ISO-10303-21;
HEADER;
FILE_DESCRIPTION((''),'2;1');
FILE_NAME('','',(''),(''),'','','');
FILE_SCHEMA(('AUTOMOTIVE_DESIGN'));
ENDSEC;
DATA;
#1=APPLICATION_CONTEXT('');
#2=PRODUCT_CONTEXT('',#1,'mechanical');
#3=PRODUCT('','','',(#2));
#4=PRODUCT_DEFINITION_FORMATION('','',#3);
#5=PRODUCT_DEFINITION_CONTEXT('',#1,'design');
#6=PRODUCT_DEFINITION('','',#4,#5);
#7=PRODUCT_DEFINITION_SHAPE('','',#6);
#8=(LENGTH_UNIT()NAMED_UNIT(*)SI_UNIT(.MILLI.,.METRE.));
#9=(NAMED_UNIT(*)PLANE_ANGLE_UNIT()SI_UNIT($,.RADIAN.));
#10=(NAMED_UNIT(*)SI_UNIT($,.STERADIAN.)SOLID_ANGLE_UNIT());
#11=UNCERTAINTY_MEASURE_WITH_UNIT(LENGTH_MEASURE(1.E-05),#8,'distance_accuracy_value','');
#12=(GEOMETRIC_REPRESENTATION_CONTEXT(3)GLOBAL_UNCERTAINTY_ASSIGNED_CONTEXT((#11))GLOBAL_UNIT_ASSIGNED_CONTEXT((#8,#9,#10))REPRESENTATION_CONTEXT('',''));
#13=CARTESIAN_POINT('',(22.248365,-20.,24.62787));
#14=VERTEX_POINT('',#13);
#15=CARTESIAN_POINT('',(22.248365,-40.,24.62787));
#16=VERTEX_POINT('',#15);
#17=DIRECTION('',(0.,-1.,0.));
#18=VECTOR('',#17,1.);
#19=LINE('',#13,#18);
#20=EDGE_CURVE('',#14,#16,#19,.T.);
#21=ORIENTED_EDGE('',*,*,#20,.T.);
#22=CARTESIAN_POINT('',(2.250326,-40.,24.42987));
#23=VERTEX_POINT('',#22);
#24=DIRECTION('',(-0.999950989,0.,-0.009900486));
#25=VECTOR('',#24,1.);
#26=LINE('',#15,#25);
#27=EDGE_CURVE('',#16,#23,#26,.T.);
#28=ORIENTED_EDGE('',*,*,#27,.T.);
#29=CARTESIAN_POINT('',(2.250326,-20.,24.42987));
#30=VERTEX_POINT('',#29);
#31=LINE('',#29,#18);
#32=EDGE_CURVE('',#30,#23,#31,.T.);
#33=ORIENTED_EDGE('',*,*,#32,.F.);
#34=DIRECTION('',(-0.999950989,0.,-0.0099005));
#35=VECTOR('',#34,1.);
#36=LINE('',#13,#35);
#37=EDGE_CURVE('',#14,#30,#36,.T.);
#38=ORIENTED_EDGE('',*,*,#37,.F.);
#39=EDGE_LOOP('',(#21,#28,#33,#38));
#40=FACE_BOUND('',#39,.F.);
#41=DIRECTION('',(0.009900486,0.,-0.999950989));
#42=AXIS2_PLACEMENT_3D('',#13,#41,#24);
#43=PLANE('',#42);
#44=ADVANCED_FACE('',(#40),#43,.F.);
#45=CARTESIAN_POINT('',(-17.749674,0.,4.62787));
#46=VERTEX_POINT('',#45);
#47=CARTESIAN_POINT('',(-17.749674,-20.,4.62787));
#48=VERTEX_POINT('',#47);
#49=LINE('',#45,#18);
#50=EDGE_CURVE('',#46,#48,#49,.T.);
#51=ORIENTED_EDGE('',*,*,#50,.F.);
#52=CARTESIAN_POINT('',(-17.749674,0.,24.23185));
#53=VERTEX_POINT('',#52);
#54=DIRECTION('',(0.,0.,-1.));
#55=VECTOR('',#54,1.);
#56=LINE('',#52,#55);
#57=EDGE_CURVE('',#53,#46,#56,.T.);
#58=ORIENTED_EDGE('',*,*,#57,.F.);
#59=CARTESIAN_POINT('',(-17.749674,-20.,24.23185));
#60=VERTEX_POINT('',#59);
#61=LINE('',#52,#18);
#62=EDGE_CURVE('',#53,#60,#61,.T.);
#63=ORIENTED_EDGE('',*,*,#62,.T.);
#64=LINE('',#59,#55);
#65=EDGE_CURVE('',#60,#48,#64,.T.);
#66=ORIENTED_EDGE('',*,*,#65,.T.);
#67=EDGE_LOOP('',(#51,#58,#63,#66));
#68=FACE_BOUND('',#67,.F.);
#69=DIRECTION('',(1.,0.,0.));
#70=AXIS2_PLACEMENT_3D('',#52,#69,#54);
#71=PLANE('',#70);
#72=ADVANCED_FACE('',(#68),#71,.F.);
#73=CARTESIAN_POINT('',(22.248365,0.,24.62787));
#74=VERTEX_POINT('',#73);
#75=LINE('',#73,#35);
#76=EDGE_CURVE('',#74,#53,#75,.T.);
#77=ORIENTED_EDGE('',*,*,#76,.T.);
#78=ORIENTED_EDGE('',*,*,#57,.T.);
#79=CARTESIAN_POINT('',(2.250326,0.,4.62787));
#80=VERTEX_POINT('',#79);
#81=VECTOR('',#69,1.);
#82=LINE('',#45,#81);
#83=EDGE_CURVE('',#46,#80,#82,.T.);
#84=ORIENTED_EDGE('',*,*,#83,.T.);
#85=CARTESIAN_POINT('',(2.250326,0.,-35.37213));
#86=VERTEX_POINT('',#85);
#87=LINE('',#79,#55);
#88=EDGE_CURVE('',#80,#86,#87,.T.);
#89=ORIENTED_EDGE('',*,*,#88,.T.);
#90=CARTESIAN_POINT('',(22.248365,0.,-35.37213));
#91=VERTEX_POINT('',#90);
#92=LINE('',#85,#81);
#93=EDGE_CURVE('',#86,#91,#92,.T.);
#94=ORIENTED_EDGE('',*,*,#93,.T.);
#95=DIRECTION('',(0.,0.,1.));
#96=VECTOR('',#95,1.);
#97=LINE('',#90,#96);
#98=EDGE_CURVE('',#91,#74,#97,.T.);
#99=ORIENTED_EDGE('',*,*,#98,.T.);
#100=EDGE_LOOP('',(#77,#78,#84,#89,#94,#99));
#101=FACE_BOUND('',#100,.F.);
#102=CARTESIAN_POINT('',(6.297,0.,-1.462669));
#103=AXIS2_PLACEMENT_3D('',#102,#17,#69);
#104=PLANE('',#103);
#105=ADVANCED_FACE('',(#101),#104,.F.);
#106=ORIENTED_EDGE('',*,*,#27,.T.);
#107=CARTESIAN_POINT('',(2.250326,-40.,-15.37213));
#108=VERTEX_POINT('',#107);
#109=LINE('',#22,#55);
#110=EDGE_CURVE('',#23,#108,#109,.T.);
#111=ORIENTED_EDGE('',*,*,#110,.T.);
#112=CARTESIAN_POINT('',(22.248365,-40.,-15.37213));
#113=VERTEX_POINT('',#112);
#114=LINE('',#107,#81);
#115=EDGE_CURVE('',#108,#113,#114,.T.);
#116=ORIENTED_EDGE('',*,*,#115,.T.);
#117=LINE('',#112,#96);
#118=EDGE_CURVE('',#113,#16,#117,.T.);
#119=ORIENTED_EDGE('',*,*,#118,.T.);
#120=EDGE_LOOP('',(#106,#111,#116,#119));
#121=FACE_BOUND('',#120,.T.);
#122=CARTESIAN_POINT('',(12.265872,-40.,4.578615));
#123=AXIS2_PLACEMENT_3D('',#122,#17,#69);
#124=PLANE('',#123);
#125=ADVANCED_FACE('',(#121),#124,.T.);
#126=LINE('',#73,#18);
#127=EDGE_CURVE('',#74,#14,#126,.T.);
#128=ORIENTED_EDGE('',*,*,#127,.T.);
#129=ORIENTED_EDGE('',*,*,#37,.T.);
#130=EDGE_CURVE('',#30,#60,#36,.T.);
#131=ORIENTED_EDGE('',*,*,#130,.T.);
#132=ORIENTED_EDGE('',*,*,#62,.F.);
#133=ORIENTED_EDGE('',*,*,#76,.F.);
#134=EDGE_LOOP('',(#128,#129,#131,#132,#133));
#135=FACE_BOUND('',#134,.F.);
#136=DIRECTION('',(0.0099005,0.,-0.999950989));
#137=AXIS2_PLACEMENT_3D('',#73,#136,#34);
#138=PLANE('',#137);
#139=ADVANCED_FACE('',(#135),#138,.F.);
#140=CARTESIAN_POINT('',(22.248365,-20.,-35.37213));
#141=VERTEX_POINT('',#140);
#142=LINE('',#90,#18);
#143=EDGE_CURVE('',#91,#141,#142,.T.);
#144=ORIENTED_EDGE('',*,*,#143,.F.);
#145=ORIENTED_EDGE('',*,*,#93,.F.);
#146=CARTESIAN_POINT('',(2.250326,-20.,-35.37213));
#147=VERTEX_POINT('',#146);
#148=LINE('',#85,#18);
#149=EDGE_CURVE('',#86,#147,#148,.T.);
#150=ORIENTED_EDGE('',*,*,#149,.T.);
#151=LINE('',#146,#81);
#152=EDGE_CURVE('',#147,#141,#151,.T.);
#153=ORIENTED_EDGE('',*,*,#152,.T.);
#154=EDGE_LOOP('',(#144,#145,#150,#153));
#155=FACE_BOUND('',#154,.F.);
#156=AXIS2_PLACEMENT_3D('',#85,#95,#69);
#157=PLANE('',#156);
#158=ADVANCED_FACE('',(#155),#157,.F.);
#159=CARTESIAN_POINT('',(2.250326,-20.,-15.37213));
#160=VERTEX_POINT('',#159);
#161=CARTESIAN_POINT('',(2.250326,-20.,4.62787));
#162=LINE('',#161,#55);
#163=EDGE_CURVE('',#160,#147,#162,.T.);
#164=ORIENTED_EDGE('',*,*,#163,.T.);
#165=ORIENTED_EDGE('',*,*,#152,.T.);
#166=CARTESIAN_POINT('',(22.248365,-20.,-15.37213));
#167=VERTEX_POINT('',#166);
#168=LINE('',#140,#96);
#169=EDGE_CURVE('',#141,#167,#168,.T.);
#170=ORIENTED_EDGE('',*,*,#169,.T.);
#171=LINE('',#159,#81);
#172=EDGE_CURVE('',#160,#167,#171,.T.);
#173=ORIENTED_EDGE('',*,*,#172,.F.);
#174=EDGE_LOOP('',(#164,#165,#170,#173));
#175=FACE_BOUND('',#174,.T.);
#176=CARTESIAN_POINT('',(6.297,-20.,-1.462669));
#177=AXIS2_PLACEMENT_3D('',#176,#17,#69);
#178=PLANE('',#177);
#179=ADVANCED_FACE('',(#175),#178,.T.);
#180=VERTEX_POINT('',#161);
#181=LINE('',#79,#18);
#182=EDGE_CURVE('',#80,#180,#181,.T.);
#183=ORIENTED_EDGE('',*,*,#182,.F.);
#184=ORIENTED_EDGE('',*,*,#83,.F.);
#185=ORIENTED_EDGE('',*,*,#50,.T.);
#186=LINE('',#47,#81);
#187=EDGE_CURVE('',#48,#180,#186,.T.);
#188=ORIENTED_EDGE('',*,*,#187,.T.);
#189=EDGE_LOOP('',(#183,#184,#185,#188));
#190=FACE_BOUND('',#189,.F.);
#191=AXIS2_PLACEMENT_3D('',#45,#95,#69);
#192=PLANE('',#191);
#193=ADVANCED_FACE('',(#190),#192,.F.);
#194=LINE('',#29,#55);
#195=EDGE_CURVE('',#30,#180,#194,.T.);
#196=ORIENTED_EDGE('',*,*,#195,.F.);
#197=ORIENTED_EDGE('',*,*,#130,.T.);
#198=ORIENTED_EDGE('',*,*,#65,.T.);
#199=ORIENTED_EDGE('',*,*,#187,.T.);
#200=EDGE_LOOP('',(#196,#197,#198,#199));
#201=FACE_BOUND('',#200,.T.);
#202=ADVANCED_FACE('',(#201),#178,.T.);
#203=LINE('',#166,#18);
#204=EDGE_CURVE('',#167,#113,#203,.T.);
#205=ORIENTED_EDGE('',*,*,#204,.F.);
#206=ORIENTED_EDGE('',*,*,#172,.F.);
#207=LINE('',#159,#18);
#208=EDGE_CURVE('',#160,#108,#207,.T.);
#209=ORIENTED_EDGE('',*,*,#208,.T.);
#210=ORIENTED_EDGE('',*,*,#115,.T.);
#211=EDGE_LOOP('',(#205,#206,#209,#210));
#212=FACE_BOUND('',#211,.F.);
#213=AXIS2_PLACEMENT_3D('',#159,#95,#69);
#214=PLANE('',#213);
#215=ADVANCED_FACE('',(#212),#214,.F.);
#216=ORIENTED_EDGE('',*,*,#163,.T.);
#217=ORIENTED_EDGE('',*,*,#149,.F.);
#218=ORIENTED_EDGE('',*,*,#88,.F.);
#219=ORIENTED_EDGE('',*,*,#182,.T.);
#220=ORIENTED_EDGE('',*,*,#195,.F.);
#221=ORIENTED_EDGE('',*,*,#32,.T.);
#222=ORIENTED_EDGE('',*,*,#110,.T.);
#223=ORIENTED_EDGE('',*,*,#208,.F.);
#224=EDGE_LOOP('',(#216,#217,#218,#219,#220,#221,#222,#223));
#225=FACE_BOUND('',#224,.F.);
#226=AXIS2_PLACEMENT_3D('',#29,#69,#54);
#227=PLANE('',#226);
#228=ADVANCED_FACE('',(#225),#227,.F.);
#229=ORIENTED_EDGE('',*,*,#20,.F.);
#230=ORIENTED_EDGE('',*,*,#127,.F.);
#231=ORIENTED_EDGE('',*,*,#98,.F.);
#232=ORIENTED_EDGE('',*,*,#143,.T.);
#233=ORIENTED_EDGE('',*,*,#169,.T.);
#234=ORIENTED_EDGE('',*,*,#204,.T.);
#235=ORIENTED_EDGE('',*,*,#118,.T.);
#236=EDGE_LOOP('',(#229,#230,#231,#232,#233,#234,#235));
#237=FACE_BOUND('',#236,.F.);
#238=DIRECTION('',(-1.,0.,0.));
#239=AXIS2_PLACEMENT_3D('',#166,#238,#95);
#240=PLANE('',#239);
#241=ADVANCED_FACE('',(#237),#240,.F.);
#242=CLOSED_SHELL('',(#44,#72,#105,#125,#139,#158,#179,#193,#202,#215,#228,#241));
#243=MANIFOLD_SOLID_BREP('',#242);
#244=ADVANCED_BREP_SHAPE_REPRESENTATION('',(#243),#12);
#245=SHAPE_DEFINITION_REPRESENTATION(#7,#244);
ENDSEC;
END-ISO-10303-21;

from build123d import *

# Parameters (mm, degrees)
F1_DEPTH = 20
F3_DEPTH = 20


with BuildPart() as f1:
    # F0 (on Front) → F1 (new body)
    with BuildSketch(Plane.XZ):
        Polygon((22.248365, 24.62787), (-17.749674, 24.23185), (-17.749674, 4.62787), (2.250326, 4.62787), (2.250326, -35.37213), (22.248365, -35.37213), align=None)
    extrude(amount=F1_DEPTH)

    # F2 (on face) → F3 (join)
    with BuildSketch(Plane.XZ.offset(20)):
        Polygon((22.248365, 24.62787), (2.250326, 24.42987), (2.250326, 4.62787), (2.250326, -15.37213), (22.248365, -15.37213), align=None)
    extrude(amount=F3_DEPTH)


solid = f1.part
